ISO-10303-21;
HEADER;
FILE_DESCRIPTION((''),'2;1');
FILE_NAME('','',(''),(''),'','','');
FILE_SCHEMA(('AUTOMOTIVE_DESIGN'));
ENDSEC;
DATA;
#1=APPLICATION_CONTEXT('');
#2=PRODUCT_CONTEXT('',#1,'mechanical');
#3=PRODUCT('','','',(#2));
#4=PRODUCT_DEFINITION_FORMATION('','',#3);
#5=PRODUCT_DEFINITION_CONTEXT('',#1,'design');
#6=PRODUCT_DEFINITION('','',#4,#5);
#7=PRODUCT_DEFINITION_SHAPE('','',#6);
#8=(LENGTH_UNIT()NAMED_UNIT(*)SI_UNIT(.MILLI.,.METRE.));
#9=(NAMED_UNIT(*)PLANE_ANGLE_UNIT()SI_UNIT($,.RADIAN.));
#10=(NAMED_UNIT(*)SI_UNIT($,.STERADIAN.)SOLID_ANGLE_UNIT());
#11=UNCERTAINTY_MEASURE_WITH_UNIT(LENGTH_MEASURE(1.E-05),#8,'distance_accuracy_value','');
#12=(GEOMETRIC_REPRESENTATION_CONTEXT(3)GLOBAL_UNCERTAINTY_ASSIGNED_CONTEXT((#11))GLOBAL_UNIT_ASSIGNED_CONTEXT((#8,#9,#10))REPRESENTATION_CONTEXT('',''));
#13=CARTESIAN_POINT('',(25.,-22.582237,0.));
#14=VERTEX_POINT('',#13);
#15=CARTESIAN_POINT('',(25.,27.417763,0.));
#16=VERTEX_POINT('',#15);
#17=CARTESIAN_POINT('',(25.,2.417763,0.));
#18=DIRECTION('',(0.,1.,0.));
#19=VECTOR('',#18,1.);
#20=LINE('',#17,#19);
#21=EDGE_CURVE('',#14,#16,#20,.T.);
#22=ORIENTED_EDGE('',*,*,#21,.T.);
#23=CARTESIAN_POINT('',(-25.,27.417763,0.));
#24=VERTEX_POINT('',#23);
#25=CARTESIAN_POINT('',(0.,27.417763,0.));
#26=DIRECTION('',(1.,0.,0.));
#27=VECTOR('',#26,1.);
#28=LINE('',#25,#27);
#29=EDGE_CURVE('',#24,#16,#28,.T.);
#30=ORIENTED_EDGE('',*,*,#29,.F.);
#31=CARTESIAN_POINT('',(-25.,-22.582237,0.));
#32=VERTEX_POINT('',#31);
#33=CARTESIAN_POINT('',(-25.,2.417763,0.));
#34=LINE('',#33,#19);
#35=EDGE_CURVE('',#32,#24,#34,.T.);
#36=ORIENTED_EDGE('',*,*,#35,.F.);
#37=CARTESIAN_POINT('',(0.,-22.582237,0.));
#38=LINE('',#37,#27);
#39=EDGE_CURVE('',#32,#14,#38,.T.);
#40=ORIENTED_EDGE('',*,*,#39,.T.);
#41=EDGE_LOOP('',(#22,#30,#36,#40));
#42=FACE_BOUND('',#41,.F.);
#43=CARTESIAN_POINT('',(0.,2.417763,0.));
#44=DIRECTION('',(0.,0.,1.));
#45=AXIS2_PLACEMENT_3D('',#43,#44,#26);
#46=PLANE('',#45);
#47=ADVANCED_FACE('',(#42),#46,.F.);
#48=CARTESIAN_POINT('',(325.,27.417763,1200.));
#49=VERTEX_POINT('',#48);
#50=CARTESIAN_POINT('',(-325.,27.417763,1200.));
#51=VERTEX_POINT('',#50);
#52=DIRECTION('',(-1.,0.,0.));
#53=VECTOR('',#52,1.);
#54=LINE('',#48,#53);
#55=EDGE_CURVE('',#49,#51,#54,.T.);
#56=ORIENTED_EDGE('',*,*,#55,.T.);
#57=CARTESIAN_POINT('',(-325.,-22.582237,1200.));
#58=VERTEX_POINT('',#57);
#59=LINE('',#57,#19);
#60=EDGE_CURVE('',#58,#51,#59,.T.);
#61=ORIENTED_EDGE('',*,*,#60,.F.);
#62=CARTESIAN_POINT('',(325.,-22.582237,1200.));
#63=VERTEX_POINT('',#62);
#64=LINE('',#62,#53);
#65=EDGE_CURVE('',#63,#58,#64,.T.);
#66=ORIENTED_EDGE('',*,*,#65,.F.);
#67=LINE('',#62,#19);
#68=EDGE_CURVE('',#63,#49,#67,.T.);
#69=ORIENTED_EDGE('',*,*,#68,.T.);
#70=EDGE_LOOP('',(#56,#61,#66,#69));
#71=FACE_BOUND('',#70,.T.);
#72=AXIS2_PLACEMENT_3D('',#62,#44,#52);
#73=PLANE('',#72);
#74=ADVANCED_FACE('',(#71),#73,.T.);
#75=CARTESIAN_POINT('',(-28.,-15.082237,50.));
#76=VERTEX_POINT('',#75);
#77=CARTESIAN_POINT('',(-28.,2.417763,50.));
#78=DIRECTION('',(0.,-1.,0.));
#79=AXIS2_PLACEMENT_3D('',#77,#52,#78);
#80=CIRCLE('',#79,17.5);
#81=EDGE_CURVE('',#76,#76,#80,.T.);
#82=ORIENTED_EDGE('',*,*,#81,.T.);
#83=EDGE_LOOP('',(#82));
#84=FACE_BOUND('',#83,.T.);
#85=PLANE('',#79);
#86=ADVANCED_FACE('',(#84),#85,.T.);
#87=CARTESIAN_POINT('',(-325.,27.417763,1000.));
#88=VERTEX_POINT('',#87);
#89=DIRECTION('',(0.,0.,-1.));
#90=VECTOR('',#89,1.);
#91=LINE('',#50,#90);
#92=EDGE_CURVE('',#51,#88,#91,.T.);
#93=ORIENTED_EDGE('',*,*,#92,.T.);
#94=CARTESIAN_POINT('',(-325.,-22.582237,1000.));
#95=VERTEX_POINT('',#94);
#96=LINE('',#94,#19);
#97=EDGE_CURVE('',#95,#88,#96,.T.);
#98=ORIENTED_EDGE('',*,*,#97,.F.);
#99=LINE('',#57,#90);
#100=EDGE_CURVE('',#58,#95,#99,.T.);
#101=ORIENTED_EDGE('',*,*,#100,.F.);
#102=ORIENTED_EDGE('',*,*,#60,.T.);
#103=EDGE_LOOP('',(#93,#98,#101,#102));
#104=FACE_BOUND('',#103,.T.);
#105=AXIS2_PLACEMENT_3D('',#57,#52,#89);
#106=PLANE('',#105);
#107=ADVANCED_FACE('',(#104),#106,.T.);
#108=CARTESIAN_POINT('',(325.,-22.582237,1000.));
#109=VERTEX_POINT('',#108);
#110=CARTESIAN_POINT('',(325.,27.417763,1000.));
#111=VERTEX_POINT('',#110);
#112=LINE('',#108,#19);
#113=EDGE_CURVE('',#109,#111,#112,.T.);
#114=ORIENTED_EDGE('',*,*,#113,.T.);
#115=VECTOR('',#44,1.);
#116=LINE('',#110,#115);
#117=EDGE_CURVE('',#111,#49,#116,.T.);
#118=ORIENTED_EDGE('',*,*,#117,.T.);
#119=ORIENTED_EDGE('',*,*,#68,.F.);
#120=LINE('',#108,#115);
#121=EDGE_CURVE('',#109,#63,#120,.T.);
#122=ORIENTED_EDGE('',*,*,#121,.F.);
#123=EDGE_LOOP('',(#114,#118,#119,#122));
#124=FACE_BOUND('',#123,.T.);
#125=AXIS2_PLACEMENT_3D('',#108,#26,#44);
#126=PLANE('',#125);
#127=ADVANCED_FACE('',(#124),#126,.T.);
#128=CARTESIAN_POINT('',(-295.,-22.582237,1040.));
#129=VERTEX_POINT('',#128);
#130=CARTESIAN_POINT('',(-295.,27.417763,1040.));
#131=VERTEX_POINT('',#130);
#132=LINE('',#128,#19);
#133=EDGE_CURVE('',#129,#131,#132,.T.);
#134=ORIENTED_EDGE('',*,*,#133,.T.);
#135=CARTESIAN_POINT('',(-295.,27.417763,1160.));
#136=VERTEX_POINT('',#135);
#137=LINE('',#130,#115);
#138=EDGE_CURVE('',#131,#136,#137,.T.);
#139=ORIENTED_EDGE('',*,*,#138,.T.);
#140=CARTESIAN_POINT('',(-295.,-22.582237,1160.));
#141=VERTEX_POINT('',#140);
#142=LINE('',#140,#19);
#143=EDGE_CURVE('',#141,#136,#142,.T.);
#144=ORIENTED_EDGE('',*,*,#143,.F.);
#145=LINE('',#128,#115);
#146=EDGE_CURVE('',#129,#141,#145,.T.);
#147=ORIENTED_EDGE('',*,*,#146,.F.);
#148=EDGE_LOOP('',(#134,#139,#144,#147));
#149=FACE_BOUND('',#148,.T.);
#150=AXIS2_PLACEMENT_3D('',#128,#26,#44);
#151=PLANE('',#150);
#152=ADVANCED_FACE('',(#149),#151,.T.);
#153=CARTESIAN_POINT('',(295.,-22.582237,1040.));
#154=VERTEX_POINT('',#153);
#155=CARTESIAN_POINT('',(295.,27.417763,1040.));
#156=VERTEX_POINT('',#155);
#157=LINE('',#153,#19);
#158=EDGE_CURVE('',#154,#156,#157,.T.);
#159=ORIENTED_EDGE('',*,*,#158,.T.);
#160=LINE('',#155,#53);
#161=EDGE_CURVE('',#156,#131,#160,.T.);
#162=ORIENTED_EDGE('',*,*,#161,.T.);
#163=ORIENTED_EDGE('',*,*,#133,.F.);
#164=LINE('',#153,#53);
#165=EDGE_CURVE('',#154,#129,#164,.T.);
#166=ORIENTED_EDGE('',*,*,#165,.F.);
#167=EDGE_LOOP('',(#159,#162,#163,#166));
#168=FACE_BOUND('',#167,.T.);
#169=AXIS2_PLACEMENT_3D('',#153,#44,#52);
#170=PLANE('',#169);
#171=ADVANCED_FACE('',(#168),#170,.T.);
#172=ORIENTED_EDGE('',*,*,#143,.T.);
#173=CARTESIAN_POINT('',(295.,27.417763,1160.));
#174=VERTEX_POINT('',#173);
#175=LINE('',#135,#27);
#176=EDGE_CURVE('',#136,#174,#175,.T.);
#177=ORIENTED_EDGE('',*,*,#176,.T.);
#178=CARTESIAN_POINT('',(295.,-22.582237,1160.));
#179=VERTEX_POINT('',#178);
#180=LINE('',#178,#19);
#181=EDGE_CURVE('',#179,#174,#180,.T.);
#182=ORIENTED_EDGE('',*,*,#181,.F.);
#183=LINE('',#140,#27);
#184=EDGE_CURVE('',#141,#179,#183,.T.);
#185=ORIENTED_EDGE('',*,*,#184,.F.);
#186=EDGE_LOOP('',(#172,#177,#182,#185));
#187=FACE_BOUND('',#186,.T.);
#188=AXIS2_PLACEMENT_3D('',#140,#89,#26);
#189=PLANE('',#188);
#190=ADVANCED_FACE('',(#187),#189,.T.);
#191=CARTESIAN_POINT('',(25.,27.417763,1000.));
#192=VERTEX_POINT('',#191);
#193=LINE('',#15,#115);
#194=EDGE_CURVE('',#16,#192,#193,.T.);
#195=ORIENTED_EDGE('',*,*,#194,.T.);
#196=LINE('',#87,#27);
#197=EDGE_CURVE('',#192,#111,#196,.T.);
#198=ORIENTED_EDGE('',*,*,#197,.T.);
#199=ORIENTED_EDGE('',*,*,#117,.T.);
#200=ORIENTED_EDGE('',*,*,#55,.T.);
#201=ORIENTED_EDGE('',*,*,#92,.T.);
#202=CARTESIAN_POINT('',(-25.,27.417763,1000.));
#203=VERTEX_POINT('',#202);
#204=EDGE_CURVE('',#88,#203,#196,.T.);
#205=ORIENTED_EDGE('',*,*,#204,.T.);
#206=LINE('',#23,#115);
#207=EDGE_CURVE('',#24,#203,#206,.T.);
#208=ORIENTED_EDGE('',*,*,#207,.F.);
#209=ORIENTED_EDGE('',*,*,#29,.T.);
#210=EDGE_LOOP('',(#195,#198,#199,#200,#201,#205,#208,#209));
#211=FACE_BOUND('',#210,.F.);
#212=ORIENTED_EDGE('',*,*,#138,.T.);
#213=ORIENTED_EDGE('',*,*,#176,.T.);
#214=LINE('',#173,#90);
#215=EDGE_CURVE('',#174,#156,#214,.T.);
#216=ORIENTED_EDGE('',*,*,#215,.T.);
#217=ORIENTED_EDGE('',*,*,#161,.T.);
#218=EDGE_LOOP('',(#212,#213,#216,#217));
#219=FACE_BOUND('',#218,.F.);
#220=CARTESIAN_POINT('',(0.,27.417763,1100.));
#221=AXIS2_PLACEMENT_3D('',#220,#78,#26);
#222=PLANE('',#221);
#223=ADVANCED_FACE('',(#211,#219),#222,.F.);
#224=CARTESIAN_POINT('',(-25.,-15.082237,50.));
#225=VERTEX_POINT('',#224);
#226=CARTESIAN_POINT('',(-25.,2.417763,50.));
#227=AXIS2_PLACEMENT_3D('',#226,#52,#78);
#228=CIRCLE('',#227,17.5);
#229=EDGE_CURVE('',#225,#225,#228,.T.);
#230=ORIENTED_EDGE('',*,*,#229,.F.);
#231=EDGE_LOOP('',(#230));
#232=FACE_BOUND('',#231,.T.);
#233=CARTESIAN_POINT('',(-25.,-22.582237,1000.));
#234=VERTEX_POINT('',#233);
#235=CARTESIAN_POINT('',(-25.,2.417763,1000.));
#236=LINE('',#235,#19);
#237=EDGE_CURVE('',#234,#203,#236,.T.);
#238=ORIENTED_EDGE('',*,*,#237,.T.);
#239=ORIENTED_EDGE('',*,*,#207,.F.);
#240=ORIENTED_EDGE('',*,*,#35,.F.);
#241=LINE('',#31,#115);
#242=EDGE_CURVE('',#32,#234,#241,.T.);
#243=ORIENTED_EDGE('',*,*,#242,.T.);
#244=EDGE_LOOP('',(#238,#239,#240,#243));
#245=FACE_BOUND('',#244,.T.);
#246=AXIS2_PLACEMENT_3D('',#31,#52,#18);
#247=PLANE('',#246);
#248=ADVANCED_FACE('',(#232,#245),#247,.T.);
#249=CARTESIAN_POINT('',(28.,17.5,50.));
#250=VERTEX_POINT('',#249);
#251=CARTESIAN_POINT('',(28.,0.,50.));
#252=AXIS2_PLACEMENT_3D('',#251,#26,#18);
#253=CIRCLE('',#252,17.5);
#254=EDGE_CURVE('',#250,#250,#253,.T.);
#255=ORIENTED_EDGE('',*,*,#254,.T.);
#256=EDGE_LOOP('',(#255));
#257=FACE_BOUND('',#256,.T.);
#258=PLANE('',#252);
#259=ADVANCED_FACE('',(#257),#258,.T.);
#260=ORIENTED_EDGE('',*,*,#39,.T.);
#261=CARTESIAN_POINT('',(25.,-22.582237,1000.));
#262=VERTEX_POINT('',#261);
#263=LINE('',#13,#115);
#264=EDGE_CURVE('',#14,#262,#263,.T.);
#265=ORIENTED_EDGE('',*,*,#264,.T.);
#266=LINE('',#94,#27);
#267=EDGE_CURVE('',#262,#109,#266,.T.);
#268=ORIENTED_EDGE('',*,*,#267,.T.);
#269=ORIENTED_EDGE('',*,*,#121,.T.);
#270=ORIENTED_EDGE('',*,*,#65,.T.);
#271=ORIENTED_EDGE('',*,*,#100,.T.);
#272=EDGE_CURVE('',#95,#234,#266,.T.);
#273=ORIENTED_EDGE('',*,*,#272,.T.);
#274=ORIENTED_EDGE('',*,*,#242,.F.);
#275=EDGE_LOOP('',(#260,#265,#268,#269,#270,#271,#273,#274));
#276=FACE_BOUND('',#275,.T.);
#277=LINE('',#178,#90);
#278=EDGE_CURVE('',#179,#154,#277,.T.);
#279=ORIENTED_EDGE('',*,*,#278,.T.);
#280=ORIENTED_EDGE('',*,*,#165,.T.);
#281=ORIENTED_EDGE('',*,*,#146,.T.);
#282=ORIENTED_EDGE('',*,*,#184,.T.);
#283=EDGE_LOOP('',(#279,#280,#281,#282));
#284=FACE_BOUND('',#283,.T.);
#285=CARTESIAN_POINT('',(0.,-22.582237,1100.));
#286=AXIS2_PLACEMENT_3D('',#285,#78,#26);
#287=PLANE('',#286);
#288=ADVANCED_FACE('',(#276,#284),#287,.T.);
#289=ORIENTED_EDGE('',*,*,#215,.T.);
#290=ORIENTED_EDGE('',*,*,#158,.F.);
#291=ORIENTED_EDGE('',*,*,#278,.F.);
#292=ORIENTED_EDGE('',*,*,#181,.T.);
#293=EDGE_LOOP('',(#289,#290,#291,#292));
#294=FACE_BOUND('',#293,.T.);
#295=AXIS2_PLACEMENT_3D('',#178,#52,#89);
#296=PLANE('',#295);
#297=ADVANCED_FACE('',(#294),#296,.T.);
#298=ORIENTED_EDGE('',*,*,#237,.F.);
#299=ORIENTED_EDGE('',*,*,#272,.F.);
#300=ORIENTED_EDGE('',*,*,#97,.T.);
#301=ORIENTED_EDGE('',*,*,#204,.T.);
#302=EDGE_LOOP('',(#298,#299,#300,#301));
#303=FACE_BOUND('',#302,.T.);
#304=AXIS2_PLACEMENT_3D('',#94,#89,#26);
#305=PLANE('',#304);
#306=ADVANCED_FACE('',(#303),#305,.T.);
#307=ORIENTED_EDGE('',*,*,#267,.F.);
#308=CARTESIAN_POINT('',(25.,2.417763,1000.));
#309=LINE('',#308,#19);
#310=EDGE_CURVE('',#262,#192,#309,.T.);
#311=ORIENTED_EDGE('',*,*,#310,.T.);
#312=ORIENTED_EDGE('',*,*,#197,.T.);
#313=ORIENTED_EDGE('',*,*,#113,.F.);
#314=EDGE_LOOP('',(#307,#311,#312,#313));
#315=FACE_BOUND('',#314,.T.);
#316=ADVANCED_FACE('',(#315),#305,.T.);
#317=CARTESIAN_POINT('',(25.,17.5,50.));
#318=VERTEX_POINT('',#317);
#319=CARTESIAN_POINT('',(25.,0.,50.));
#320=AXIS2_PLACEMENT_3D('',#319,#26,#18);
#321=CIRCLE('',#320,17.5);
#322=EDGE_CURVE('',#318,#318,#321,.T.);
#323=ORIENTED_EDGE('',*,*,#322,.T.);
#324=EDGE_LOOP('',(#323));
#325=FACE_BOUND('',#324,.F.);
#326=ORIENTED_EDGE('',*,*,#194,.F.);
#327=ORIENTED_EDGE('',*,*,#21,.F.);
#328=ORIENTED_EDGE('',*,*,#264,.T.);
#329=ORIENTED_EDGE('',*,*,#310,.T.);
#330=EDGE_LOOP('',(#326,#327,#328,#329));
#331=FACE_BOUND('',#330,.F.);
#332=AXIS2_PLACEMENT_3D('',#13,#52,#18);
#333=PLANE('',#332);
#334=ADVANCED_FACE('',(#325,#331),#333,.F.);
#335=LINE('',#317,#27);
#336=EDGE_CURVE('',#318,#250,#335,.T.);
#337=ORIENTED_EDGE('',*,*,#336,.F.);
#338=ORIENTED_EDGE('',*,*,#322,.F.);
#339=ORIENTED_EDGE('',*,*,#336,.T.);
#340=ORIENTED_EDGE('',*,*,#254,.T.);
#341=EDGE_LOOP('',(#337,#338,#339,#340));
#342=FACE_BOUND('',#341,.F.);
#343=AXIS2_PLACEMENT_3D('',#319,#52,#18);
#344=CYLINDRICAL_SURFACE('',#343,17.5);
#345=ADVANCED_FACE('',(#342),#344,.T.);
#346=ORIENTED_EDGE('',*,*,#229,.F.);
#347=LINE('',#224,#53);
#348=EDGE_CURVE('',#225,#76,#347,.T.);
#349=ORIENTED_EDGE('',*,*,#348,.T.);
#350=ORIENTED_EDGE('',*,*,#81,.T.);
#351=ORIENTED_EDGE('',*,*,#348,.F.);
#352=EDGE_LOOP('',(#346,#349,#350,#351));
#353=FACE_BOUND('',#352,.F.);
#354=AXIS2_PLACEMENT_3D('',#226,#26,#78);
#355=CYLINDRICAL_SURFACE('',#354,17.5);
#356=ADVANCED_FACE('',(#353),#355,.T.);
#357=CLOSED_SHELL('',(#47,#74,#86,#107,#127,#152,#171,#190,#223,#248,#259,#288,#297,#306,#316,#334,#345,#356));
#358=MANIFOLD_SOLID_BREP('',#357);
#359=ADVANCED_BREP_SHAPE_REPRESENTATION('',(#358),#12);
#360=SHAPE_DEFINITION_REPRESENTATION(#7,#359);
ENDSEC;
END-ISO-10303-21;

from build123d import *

# Parameters (mm, degrees)
F0_W     = 50
F0_H     = 50
F1_DEPTH = 1000
F3_DEPTH = 50
F4_R     = 17.5
F5_DEPTH = 3
F6_R     = 17.5
F7_DEPTH = 3


with BuildPart() as f1:
    # F0 (on Top) → F1 (new body)
    with BuildSketch(Plane.XY):
        with Locations((0, 2.417763)):
            Rectangle(F0_W, F0_H)
    extrude(amount=F1_DEPTH)

    # F2 (on face) → F3 (join)
    with BuildSketch(Plane.XZ.offset(22.582237)):
        Polygon((-25, 1000), (25, 1000), (325, 1000), (325, 1200), (-325, 1200), (-325, 1000), align=None)
        Polygon((25, 1040), (-295, 1040), (-295, 1160), (295, 1160), (295, 1040), align=None, mode=Mode.SUBTRACT)
    extrude(amount=-F3_DEPTH)

    # F4 (on face) → F5 (join)
    with BuildSketch(Plane.YZ.offset(25)):
        with Locations((0, 50)):
            Circle(F4_R)
    extrude(amount=F5_DEPTH)

    # F6 (on face) → F7 (join)
    with BuildSketch(Plane(origin=(-25, 0, 0), x_dir=(0, -1, 0), z_dir=(-1, 0, 0))):
        with Locations((-2.417763, 50)):
            Circle(F6_R)
    extrude(amount=F7_DEPTH)


solid = f1.part
